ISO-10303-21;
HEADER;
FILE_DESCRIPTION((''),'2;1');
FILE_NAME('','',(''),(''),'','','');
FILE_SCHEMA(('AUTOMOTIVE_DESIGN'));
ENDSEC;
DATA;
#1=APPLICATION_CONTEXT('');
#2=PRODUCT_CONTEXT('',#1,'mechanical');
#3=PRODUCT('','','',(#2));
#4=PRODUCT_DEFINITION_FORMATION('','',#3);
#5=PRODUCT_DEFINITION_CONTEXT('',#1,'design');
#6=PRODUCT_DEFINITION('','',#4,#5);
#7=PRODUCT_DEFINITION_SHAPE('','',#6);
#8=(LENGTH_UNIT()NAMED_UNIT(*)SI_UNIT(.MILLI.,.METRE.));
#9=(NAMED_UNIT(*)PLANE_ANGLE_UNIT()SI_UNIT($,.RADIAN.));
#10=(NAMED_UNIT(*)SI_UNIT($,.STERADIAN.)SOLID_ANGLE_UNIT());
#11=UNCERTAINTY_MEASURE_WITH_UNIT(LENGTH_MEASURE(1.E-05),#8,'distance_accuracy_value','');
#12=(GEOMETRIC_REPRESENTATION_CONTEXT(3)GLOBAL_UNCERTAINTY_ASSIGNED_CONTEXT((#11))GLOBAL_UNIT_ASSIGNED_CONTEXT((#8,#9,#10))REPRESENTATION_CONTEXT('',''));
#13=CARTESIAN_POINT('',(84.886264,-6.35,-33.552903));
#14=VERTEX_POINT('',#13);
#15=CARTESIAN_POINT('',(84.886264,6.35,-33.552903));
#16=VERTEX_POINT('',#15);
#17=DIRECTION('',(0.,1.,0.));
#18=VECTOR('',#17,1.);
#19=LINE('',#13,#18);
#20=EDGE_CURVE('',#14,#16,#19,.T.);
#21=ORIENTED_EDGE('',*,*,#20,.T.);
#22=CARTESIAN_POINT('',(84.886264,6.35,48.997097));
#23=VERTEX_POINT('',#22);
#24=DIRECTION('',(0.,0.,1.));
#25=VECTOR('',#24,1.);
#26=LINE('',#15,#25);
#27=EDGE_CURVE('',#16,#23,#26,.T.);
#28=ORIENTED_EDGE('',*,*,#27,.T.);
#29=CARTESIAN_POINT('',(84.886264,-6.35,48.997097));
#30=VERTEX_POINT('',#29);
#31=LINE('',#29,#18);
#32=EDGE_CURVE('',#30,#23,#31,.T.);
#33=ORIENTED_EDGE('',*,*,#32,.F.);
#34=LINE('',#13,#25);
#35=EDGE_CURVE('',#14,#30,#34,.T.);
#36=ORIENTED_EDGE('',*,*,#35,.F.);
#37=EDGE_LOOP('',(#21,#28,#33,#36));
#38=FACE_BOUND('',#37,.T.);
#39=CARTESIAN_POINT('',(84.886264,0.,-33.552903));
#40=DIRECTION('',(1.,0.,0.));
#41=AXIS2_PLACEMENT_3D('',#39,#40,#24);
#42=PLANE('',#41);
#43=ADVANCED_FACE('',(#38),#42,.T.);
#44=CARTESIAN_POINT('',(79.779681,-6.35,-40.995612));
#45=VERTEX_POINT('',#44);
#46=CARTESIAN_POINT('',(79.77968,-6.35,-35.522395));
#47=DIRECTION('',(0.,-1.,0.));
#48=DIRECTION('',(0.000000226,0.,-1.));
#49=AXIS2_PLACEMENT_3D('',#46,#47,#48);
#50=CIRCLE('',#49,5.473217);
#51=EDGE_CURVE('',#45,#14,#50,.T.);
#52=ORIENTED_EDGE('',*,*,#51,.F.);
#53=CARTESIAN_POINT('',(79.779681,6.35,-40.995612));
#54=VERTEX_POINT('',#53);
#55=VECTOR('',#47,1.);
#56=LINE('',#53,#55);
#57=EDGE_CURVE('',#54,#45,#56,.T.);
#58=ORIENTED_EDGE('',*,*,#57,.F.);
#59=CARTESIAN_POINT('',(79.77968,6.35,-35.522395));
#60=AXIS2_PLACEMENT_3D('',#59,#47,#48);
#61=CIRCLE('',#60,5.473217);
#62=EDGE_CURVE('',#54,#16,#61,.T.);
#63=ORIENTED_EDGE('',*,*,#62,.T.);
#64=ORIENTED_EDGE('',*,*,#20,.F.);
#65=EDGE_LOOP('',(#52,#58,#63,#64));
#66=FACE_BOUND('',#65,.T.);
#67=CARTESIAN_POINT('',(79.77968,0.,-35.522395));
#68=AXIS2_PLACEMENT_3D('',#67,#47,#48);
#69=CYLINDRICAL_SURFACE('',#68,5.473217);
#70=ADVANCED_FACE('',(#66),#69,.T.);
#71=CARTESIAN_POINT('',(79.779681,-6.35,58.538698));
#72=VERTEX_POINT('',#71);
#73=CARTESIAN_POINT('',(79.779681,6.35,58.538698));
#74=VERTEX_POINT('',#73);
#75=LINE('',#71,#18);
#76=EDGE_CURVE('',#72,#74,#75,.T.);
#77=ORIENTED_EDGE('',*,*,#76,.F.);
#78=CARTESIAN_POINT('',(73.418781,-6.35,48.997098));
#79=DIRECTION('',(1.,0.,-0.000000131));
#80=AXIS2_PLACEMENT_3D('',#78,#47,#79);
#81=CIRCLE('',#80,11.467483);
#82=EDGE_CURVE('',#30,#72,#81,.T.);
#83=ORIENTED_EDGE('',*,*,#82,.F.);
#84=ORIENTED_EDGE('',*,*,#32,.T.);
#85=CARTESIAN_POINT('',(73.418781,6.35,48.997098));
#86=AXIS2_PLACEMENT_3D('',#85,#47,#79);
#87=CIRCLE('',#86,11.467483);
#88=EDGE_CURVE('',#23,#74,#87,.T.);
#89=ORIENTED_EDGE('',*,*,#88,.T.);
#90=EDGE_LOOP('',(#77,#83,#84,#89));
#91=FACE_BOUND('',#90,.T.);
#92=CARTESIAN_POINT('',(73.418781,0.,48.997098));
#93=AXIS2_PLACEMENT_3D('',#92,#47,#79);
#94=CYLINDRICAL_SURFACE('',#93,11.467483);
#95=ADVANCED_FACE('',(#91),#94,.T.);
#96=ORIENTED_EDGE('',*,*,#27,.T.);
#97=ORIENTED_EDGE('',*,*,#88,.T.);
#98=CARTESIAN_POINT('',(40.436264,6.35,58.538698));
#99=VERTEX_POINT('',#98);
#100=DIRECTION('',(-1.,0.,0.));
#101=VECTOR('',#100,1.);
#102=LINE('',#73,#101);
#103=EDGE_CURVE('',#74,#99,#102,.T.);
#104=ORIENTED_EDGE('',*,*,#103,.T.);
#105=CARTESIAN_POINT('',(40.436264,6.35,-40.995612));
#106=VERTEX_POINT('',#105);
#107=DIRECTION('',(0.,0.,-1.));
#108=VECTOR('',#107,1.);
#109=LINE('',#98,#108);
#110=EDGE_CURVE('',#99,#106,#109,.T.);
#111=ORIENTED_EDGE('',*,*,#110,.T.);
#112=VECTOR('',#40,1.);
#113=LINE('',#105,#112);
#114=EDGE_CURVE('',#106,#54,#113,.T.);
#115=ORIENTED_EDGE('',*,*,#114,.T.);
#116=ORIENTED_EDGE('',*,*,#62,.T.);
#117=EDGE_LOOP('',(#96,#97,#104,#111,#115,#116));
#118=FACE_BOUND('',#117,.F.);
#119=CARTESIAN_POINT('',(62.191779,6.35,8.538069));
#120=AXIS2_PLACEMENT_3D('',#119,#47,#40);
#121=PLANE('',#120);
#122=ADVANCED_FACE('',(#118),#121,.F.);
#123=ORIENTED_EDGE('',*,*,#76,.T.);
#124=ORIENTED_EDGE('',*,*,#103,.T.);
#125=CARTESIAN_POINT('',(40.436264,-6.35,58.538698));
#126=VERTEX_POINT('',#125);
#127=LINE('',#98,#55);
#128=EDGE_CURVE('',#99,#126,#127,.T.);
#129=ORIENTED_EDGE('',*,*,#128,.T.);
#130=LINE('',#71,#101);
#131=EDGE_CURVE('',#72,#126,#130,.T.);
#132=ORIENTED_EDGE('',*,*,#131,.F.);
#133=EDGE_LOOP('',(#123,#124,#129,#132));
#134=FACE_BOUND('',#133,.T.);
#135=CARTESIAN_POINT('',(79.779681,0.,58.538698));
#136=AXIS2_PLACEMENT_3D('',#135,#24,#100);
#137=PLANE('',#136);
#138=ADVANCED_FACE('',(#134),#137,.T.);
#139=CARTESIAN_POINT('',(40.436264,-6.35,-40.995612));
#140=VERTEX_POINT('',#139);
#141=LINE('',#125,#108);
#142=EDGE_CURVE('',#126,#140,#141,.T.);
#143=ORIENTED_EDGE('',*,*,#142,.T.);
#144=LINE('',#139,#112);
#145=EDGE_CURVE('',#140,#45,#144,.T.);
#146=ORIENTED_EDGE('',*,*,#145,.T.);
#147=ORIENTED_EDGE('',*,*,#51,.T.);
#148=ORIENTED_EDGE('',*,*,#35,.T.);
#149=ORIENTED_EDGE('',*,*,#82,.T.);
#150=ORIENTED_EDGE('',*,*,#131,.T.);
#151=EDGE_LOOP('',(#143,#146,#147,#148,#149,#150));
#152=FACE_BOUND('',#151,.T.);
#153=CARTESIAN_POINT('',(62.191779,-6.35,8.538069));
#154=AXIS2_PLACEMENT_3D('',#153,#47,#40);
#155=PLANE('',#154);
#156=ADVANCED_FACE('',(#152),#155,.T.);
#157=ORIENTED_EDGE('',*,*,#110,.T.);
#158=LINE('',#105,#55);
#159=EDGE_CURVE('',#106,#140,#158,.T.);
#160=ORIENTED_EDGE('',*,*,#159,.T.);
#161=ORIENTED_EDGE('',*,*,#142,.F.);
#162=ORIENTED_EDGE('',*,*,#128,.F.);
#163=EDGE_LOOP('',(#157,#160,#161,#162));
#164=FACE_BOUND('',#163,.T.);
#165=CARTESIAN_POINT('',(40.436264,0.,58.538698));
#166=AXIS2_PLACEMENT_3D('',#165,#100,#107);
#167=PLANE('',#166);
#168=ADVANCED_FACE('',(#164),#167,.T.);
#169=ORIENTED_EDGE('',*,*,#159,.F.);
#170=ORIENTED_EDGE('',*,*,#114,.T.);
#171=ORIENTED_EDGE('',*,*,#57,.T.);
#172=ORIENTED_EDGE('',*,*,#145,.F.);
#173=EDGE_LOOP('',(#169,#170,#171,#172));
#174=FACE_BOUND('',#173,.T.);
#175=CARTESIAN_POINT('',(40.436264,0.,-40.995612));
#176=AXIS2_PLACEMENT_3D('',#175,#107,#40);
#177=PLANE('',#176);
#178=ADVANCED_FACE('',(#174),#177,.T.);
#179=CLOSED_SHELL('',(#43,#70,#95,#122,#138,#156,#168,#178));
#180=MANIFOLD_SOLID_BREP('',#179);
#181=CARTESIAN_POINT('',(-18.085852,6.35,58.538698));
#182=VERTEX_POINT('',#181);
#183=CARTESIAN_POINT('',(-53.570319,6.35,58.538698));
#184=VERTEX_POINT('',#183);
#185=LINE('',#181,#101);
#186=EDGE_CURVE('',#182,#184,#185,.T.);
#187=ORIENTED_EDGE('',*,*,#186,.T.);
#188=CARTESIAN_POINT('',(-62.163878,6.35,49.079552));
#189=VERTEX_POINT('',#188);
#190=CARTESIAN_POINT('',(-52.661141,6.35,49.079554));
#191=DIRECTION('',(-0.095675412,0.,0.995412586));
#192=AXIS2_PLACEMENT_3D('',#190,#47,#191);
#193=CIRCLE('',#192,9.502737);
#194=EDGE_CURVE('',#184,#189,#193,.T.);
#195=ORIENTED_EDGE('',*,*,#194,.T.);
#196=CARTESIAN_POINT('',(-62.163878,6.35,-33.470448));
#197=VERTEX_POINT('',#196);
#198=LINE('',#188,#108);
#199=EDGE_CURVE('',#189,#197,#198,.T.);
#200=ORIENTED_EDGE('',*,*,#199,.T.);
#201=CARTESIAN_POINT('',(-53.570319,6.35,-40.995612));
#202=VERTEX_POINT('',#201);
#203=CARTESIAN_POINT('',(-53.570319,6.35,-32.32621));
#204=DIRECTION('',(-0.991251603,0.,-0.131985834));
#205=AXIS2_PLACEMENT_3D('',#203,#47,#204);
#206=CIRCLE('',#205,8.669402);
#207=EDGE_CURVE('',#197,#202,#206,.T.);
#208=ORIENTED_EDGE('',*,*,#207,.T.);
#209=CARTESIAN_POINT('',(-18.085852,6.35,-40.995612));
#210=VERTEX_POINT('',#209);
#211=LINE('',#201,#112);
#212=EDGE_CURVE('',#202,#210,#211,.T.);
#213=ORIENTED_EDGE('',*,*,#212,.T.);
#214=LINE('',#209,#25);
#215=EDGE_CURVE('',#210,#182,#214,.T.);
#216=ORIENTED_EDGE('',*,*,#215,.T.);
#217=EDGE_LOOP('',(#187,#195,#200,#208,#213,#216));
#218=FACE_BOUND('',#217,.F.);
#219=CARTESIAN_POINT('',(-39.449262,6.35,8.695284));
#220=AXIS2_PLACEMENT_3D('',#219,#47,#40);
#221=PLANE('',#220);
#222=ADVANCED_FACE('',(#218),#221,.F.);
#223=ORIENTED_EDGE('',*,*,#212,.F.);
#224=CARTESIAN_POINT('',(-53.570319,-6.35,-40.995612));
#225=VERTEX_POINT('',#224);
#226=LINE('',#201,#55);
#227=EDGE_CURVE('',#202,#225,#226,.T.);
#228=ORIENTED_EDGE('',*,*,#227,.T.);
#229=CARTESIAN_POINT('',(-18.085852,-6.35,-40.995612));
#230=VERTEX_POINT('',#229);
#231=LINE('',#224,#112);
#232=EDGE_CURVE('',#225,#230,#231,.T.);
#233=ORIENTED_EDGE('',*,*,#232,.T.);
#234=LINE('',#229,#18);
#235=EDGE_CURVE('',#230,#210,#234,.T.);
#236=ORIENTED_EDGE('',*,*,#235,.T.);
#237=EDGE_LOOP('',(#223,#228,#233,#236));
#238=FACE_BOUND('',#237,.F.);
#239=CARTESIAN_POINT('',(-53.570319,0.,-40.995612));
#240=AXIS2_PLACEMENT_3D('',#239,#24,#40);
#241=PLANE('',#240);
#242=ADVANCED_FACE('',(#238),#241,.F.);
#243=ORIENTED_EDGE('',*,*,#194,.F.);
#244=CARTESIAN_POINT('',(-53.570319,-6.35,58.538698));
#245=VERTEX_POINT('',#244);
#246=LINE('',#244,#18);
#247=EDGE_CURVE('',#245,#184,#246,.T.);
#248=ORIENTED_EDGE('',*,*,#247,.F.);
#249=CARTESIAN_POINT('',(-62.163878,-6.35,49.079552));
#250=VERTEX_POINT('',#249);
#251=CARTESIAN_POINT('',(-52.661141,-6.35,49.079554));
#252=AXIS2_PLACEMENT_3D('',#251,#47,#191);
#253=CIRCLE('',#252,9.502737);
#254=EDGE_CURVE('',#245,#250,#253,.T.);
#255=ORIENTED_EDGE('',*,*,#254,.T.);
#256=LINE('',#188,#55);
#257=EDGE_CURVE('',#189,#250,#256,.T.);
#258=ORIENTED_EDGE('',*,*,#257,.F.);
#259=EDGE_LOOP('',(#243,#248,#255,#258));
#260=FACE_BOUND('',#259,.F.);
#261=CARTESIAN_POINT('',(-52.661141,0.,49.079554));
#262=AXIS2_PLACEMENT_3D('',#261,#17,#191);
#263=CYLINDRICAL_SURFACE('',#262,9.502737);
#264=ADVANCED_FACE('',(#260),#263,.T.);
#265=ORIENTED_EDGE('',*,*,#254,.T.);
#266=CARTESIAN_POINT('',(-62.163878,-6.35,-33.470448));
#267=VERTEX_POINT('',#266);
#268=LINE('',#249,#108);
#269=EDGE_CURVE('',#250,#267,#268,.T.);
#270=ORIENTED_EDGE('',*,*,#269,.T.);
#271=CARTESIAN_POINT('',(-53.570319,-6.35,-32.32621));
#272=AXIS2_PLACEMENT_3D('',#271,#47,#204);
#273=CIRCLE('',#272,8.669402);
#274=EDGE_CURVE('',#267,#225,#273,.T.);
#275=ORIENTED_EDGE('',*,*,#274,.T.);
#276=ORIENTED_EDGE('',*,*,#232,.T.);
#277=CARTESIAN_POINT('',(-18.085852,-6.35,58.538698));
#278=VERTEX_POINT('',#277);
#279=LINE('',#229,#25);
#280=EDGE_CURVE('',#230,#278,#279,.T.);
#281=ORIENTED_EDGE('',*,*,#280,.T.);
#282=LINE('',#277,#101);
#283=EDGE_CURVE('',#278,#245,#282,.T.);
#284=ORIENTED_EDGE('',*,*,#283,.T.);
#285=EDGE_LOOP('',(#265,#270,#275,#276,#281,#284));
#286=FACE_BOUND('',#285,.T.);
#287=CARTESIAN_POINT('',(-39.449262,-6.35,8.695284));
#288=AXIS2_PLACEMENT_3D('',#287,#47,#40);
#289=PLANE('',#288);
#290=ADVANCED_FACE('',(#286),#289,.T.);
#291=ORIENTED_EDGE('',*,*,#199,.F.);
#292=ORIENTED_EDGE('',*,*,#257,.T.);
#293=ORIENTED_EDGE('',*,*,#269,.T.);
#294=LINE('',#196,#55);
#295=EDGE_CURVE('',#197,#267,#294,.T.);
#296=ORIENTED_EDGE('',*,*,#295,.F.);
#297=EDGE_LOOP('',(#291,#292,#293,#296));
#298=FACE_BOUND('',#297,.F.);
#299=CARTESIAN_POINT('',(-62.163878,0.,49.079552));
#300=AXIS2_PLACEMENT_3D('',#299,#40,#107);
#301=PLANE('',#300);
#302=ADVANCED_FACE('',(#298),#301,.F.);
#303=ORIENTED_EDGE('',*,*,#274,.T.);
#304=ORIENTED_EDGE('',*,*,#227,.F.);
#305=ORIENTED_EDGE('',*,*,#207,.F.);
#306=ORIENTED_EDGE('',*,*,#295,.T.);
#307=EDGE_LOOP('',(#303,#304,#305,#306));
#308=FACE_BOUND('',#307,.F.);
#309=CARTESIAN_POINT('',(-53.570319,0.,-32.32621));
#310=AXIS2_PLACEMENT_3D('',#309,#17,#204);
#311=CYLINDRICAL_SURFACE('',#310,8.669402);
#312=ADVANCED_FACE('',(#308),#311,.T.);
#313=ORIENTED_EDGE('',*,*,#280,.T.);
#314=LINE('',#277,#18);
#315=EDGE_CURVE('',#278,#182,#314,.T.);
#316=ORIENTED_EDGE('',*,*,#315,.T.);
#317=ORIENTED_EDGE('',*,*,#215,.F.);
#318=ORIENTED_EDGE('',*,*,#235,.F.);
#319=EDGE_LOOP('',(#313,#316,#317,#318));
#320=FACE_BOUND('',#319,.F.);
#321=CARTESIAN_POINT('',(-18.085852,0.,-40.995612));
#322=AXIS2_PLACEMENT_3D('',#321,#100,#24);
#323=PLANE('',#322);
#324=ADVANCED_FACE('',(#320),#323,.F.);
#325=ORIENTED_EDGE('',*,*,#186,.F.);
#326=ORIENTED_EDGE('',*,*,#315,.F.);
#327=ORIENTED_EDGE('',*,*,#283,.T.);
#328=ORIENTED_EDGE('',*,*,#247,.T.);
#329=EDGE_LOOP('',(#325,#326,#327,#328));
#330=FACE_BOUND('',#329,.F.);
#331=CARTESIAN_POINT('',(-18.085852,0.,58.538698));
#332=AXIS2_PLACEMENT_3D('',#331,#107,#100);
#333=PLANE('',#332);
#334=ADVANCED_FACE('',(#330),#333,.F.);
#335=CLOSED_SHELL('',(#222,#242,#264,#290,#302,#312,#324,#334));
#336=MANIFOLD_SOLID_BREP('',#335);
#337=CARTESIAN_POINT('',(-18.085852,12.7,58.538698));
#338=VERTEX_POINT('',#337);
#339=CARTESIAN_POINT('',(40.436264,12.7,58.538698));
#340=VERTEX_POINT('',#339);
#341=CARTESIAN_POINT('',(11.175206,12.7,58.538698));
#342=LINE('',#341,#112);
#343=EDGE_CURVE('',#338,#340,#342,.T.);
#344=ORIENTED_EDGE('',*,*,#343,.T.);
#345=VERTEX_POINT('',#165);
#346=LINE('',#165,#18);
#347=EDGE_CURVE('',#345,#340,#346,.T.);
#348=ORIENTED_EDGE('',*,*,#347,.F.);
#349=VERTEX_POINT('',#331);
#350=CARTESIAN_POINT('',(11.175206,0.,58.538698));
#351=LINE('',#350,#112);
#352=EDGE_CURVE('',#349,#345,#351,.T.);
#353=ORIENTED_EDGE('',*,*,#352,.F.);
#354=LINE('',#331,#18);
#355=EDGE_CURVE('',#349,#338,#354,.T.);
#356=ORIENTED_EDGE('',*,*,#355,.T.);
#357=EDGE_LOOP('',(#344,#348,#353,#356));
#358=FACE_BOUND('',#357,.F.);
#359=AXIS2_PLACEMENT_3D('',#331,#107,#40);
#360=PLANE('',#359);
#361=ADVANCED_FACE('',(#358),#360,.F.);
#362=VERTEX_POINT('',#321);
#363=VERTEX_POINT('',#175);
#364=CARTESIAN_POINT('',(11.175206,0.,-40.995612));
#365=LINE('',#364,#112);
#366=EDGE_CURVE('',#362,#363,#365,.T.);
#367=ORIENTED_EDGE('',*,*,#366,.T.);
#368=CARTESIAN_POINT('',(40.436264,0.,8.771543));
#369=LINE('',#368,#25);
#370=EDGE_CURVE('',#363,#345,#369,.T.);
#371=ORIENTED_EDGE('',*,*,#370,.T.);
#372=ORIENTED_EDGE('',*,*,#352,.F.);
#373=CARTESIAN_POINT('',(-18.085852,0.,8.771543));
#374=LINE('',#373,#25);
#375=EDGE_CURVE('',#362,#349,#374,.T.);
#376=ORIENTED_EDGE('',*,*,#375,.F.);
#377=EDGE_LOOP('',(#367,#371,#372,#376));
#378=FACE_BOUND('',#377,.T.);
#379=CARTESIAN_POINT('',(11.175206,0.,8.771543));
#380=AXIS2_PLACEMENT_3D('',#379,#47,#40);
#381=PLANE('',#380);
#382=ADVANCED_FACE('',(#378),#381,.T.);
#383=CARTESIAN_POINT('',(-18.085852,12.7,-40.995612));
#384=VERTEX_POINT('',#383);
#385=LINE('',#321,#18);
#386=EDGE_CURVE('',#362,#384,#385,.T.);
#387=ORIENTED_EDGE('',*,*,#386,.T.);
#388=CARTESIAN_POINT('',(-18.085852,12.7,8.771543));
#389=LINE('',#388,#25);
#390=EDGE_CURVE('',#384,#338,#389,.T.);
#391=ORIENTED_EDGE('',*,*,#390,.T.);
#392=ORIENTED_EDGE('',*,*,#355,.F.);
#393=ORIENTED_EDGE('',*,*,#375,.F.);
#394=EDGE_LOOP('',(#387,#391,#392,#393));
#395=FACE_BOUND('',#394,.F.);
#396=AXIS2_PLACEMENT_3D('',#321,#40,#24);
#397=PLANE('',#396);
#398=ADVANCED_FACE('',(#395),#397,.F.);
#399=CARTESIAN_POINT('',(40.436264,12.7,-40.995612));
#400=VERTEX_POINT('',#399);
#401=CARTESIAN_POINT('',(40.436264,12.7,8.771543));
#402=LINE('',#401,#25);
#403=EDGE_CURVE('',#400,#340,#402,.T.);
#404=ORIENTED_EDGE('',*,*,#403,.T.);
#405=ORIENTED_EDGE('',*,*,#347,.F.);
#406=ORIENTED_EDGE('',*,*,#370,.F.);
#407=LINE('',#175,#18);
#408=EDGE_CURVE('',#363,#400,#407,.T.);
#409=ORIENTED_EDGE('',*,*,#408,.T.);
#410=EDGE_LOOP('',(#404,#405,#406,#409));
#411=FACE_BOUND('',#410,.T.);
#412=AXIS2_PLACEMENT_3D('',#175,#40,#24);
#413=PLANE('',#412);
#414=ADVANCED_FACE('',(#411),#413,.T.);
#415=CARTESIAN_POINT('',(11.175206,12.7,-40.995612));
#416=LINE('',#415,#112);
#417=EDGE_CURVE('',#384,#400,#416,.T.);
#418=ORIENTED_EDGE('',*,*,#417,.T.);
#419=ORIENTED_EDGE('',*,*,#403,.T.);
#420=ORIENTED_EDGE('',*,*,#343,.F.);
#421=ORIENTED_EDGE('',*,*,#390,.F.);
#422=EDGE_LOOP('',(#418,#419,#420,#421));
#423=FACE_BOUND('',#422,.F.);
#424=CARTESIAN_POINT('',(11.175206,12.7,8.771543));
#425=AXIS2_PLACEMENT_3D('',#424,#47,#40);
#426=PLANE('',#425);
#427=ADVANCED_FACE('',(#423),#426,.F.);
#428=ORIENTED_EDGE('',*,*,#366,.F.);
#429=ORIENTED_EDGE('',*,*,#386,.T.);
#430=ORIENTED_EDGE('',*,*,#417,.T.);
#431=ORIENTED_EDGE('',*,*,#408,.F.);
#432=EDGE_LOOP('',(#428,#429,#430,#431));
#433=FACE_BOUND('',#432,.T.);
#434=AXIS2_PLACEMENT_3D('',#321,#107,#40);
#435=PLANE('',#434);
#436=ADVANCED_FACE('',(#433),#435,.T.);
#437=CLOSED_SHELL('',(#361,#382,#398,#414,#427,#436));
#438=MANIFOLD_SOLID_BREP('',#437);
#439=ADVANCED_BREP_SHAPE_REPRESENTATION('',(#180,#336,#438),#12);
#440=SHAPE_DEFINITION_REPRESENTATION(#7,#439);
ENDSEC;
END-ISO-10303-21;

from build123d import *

# Parameters (mm, degrees)
F1_DEPTH = 6.35
F0_W     = 58.522116
F0_H     = 99.53431
F2_DEPTH = 12.7


with BuildPart() as f1:
    # F0 (on Front) → F1 (new body, symmetric)
    with BuildSketch(Plane.XZ):
        with BuildLine():
            ThreePointArc((-53.570319, 58.538698), (-59.694693, 55.46948), (-62.163878, 49.079552))
            Line((-62.163878, 49.079552), (-62.163878, -33.470448))
            ThreePointArc((-62.163878, -33.470448), (-59.281653, -38.848418), (-53.570319, -40.995612))
            Line((-53.570319, -40.995612), (-18.085852, -40.995612))
            Line((-18.085852, -40.995612), (-18.085852, 58.538698))
            Line((-18.085852, 58.538698), (-53.570319, 58.538698))
        make_face()
        with BuildLine():
            Line((79.779681, 58.538698), (40.436264, 58.538698))
            Line((40.436264, 58.538698), (40.436264, -40.995612))
            Line((40.436264, -40.995612), (79.779681, -40.995612))
            ThreePointArc((79.779681, -40.995612), (84.292748, -38.618896), (84.886264, -33.552903))
            Line((84.886264, -33.552903), (84.886264, 48.997097))
            ThreePointArc((84.886264, 48.997097), (83.529337, 54.408182), (79.779681, 58.538698))
        make_face()
    extrude(amount=F1_DEPTH, both=True)


with BuildPart() as f2:
    # F0 (on Front) → F2 (new body)
    with BuildSketch(Plane.XZ):
        with Locations((11.175206, 8.771543)):
            Rectangle(F0_W, F0_H)
    extrude(amount=-F2_DEPTH)


solid = Compound([f1.part, f2.part])
